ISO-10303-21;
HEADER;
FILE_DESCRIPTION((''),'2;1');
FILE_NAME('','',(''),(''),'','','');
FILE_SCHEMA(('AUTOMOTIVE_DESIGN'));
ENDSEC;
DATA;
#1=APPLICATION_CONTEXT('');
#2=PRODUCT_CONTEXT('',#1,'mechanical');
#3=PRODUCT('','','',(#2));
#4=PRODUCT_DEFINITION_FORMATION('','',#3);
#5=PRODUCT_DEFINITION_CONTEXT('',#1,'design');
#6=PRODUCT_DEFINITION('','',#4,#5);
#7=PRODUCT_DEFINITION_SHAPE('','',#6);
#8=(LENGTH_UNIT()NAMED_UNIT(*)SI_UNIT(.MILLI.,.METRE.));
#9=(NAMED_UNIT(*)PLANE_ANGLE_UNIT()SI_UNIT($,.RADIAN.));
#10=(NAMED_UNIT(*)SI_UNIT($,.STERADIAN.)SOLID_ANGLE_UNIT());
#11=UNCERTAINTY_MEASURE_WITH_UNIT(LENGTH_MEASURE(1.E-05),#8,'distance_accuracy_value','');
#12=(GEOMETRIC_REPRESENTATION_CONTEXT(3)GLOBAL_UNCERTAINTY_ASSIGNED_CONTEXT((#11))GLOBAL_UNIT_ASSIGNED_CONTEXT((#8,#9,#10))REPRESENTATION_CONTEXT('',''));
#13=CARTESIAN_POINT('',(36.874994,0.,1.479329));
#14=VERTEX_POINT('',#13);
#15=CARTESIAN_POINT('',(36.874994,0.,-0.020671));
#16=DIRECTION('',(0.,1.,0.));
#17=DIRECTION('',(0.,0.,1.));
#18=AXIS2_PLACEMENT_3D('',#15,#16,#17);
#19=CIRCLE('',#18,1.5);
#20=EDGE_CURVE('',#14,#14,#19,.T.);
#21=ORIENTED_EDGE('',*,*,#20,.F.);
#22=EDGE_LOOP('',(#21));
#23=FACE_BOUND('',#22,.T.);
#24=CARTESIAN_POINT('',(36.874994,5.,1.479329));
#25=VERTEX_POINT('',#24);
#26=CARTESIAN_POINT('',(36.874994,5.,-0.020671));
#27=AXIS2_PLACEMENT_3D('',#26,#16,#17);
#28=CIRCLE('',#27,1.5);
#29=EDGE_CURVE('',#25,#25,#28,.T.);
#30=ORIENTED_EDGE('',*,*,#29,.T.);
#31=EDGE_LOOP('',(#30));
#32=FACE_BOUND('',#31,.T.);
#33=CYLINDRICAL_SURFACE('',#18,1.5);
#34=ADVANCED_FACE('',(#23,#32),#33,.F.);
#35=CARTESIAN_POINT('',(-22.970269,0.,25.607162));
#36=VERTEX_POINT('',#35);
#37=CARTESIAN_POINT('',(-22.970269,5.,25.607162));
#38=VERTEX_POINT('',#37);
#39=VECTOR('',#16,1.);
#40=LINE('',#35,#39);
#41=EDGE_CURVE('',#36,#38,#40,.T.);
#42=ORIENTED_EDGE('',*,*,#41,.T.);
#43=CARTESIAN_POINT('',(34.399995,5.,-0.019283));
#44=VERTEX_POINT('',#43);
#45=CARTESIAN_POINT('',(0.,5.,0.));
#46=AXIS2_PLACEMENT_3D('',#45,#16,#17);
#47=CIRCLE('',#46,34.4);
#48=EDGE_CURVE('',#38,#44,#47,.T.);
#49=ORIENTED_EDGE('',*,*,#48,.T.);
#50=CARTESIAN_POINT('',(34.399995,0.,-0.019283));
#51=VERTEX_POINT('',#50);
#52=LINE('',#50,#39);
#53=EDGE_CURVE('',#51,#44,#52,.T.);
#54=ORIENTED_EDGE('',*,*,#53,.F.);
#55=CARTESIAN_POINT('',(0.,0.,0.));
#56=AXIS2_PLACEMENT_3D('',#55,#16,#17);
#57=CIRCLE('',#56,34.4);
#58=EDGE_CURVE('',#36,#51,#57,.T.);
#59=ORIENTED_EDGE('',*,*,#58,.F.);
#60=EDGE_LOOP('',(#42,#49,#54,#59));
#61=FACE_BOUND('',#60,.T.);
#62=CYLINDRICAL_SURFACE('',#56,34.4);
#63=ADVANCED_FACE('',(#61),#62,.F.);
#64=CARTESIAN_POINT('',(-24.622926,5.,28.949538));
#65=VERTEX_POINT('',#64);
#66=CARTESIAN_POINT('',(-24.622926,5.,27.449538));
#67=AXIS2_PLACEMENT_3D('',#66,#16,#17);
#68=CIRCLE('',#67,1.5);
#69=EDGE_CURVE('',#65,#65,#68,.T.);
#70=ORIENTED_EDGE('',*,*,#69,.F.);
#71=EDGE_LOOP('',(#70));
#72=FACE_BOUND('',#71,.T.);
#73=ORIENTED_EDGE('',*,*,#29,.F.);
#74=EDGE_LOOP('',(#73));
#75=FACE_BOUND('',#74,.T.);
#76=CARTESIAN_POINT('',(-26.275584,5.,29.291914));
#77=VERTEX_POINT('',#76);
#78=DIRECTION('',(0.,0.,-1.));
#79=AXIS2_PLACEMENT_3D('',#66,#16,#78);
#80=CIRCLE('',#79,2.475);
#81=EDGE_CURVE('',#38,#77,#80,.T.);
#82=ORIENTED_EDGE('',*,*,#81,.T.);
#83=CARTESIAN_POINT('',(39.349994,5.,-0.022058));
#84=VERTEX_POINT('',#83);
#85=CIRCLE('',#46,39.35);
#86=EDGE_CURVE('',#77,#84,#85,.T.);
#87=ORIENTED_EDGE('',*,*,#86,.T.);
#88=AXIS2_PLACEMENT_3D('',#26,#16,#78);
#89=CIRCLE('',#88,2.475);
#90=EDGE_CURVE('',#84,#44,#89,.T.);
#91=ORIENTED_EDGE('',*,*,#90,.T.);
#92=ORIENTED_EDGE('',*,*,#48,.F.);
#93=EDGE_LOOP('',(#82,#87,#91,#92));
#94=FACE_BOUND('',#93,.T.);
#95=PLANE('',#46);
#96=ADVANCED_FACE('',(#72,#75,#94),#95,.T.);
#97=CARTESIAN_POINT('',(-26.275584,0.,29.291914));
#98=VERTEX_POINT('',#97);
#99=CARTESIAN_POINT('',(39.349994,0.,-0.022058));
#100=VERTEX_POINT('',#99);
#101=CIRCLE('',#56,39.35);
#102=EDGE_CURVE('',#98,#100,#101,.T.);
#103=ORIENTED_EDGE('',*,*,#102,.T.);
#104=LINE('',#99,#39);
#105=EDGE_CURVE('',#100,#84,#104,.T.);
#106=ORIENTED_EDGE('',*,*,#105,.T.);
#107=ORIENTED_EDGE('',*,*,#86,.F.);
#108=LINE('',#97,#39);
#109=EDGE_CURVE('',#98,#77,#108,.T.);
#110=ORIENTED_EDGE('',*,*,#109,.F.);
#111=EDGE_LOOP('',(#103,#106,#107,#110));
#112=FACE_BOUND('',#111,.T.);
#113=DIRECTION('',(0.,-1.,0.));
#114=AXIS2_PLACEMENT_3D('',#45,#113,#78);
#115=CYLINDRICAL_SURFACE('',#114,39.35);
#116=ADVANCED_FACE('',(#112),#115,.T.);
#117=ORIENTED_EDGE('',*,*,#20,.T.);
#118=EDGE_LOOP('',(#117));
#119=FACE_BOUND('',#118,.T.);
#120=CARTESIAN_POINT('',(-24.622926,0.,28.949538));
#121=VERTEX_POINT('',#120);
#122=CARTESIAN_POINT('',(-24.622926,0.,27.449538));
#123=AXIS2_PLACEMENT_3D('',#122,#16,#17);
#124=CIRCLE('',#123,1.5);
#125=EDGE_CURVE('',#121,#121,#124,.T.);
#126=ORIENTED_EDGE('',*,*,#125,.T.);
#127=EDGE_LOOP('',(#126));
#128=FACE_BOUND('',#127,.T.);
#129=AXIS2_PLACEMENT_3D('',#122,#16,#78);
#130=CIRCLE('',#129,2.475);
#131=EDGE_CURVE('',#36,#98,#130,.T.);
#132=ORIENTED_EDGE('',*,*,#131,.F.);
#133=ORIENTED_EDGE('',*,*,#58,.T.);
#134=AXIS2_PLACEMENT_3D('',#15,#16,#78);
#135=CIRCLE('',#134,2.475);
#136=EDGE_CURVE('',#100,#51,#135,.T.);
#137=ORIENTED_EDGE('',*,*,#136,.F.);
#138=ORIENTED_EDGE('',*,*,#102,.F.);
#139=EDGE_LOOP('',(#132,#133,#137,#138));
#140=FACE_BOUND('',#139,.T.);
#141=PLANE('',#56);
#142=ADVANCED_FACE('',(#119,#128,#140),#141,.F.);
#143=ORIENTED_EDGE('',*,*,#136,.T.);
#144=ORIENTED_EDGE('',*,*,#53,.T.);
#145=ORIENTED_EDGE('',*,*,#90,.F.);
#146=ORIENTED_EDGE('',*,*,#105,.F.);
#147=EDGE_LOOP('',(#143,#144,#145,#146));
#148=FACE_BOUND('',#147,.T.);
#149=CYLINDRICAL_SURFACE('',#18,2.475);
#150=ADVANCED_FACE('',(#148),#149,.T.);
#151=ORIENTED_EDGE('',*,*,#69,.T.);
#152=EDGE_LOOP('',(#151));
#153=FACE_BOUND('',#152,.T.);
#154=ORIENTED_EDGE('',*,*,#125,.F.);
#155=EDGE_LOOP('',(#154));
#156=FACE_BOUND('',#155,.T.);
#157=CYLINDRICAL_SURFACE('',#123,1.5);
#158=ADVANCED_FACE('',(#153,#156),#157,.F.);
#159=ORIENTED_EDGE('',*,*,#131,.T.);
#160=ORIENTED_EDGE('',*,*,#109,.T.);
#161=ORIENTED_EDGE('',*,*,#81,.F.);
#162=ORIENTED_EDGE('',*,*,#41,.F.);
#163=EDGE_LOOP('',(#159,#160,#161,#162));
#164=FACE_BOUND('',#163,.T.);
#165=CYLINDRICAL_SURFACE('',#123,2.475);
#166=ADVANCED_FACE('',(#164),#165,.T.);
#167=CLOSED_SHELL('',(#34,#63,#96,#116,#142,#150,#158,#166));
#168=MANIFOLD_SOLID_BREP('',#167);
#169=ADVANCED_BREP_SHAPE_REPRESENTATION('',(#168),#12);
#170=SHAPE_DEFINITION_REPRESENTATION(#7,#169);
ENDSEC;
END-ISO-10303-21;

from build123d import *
from build123d.topology import SkipClean

# Parameters (mm, degrees)
SKETCH1_R           = 39.35
BOSS_EXTRUDE1_DEPTH = 5
SKETCH2_R           = 34.4
CUT_EXTRUDE1_DEPTH  = 5
CUT_EXTRUDE2_START  = -5
CUT_EXTRUDE2_DEPTH  = 5
BOSS_EXTRUDE2_START = -5
BOSS_EXTRUDE2_DEPTH = 5
BOSS_EXTRUDE3_START = -5
BOSS_EXTRUDE3_DEPTH = 5
SKETCH11_R          = 1.5
CUT_EXTRUDE3_DEPTH  = 5
SKETCH12_R          = 1.5
CUT_EXTRUDE4_DEPTH  = 5


with BuildPart() as part:
    # Sketch1 → Boss-Extrude1 (new body)
    with BuildSketch(Plane(origin=(0, 0, 0), x_dir=(1, 0, 0), z_dir=(0, 1, 0))):
        with Locations(Location((0, 0, 0), (0, 0, 270))):
            Circle(SKETCH1_R)
    extrude(amount=BOSS_EXTRUDE1_DEPTH)

    # Sketch2 → Cut-Extrude1 (cut)
    with BuildSketch(Plane(origin=(0, 5, 0), x_dir=(1, 0, 0), z_dir=(0, 1, 0))):
        with Locations(Location((0, 0, 0), (0, 0, 270))):
            Circle(SKETCH2_R)
    extrude(amount=-CUT_EXTRUDE1_DEPTH, mode=Mode.SUBTRACT)

    # Sketch4 → Cut-Extrude2 (cut)
    with SkipClean():  # the faces are left unmerged after this step: merging them gives an invalid solid
        with BuildSketch(Plane(origin=(0, 5, 0), x_dir=(1, 0, 0), z_dir=(0, 1, 0)).offset(CUT_EXTRUDE2_START)):
            with BuildLine():
                Line((-159.77746759, -178.119268716), (-26.275583759, -29.291913528))
                Line((-26.275583759, -29.291913528), (0, 0))
                Line((0, 0), (39.349993818, 0.02205808))
                ThreePointArc((39.349993818, 0.02205808), (16.048747068, -35.928543215), (-26.275583759, -29.291913528))
                ThreePointArc((-26.275583759, -29.291913528), (16.038676365, -35.933039956), (39.35, 0))
                Line((39.35, 0), (39.35, 199.930824633))
                Line((39.35, 199.930824633), (-314.435547484, 386.277611421))
                Line((-314.435547484, 386.277611421), (-513.563015073, 8.227518071))
                Line((-513.563015073, 8.227518071), (-159.77746759, -178.119268716))
            make_face()
        extrude(amount=CUT_EXTRUDE2_DEPTH, mode=Mode.SUBTRACT)

    # Sketch9 → Boss-Extrude2 (add)
    with SkipClean():  # the faces are left unmerged after this step: merging them gives an invalid solid
        with BuildSketch(Plane(origin=(0, 5, 0), x_dir=(1, 0, 0), z_dir=(0, 1, 0)).offset(BOSS_EXTRUDE2_START)):
            with BuildLine():
                Line((-22.970268903, -25.607162016), (-26.275583759, -29.291913528))
                ThreePointArc((-26.275583759, -29.291913528), (16.048747068, -35.928543215), (39.349993818, 0.02205808))
                ThreePointArc((39.349993818, 0.02205808), (36.873606818, 2.495670303), (34.399994595, 0.019283303))
                ThreePointArc((34.399994595, 0.019283303), (14.029908491, -31.40894248), (-22.970268903, -25.607162016))
            make_face()
        extrude(amount=BOSS_EXTRUDE2_DEPTH)

    # Sketch10 → Boss-Extrude3 (add)
    with SkipClean():  # the faces are left unmerged after this step: merging them gives an invalid solid
        with BuildSketch(Plane(origin=(0, 5, 0), x_dir=(1, 0, 0), z_dir=(0, 1, 0)).offset(BOSS_EXTRUDE3_START)):
            with BuildLine():
                ThreePointArc((-26.275583759, -29.291913528), (-26.465302087, -25.796880344), (-22.970268903, -25.607162016))
                ThreePointArc((-22.970268903, -25.607162016), (14.029908491, -31.40894248), (34.399994595, 0.019283303))
                ThreePointArc((34.399994595, 0.019283303), (36.873606818, 2.495670303), (39.349993818, 0.02205808))
                ThreePointArc((39.349993818, 0.02205808), (16.048747068, -35.928543215), (-26.275583759, -29.291913528))
            make_face()
        extrude(amount=BOSS_EXTRUDE3_DEPTH)

    # Sketch11 → Cut-Extrude3 (cut)
    with SkipClean():  # the faces are left unmerged after this step: merging them gives an invalid solid
        with BuildSketch(Plane(origin=(0, 5, 0), x_dir=(1, 0, 0), z_dir=(0, 1, 0))):
            with Locations(Location((-24.622926331, -27.449537772, 0), (0, 0, 270))):
                Circle(SKETCH11_R)
        extrude(amount=-CUT_EXTRUDE3_DEPTH, mode=Mode.SUBTRACT)

    # Sketch12 → Cut-Extrude4 (cut)
    with SkipClean():  # the faces are left unmerged after this step: merging them gives an invalid solid
        with BuildSketch(Plane(origin=(0, 5, 0), x_dir=(1, 0, 0), z_dir=(0, 1, 0))):
            with Locations(Location((36.874994206, 0.020670692, 0), (0, 0, 270))):
                Circle(SKETCH12_R)
        extrude(amount=-CUT_EXTRUDE4_DEPTH, mode=Mode.SUBTRACT)


solid = part.part
